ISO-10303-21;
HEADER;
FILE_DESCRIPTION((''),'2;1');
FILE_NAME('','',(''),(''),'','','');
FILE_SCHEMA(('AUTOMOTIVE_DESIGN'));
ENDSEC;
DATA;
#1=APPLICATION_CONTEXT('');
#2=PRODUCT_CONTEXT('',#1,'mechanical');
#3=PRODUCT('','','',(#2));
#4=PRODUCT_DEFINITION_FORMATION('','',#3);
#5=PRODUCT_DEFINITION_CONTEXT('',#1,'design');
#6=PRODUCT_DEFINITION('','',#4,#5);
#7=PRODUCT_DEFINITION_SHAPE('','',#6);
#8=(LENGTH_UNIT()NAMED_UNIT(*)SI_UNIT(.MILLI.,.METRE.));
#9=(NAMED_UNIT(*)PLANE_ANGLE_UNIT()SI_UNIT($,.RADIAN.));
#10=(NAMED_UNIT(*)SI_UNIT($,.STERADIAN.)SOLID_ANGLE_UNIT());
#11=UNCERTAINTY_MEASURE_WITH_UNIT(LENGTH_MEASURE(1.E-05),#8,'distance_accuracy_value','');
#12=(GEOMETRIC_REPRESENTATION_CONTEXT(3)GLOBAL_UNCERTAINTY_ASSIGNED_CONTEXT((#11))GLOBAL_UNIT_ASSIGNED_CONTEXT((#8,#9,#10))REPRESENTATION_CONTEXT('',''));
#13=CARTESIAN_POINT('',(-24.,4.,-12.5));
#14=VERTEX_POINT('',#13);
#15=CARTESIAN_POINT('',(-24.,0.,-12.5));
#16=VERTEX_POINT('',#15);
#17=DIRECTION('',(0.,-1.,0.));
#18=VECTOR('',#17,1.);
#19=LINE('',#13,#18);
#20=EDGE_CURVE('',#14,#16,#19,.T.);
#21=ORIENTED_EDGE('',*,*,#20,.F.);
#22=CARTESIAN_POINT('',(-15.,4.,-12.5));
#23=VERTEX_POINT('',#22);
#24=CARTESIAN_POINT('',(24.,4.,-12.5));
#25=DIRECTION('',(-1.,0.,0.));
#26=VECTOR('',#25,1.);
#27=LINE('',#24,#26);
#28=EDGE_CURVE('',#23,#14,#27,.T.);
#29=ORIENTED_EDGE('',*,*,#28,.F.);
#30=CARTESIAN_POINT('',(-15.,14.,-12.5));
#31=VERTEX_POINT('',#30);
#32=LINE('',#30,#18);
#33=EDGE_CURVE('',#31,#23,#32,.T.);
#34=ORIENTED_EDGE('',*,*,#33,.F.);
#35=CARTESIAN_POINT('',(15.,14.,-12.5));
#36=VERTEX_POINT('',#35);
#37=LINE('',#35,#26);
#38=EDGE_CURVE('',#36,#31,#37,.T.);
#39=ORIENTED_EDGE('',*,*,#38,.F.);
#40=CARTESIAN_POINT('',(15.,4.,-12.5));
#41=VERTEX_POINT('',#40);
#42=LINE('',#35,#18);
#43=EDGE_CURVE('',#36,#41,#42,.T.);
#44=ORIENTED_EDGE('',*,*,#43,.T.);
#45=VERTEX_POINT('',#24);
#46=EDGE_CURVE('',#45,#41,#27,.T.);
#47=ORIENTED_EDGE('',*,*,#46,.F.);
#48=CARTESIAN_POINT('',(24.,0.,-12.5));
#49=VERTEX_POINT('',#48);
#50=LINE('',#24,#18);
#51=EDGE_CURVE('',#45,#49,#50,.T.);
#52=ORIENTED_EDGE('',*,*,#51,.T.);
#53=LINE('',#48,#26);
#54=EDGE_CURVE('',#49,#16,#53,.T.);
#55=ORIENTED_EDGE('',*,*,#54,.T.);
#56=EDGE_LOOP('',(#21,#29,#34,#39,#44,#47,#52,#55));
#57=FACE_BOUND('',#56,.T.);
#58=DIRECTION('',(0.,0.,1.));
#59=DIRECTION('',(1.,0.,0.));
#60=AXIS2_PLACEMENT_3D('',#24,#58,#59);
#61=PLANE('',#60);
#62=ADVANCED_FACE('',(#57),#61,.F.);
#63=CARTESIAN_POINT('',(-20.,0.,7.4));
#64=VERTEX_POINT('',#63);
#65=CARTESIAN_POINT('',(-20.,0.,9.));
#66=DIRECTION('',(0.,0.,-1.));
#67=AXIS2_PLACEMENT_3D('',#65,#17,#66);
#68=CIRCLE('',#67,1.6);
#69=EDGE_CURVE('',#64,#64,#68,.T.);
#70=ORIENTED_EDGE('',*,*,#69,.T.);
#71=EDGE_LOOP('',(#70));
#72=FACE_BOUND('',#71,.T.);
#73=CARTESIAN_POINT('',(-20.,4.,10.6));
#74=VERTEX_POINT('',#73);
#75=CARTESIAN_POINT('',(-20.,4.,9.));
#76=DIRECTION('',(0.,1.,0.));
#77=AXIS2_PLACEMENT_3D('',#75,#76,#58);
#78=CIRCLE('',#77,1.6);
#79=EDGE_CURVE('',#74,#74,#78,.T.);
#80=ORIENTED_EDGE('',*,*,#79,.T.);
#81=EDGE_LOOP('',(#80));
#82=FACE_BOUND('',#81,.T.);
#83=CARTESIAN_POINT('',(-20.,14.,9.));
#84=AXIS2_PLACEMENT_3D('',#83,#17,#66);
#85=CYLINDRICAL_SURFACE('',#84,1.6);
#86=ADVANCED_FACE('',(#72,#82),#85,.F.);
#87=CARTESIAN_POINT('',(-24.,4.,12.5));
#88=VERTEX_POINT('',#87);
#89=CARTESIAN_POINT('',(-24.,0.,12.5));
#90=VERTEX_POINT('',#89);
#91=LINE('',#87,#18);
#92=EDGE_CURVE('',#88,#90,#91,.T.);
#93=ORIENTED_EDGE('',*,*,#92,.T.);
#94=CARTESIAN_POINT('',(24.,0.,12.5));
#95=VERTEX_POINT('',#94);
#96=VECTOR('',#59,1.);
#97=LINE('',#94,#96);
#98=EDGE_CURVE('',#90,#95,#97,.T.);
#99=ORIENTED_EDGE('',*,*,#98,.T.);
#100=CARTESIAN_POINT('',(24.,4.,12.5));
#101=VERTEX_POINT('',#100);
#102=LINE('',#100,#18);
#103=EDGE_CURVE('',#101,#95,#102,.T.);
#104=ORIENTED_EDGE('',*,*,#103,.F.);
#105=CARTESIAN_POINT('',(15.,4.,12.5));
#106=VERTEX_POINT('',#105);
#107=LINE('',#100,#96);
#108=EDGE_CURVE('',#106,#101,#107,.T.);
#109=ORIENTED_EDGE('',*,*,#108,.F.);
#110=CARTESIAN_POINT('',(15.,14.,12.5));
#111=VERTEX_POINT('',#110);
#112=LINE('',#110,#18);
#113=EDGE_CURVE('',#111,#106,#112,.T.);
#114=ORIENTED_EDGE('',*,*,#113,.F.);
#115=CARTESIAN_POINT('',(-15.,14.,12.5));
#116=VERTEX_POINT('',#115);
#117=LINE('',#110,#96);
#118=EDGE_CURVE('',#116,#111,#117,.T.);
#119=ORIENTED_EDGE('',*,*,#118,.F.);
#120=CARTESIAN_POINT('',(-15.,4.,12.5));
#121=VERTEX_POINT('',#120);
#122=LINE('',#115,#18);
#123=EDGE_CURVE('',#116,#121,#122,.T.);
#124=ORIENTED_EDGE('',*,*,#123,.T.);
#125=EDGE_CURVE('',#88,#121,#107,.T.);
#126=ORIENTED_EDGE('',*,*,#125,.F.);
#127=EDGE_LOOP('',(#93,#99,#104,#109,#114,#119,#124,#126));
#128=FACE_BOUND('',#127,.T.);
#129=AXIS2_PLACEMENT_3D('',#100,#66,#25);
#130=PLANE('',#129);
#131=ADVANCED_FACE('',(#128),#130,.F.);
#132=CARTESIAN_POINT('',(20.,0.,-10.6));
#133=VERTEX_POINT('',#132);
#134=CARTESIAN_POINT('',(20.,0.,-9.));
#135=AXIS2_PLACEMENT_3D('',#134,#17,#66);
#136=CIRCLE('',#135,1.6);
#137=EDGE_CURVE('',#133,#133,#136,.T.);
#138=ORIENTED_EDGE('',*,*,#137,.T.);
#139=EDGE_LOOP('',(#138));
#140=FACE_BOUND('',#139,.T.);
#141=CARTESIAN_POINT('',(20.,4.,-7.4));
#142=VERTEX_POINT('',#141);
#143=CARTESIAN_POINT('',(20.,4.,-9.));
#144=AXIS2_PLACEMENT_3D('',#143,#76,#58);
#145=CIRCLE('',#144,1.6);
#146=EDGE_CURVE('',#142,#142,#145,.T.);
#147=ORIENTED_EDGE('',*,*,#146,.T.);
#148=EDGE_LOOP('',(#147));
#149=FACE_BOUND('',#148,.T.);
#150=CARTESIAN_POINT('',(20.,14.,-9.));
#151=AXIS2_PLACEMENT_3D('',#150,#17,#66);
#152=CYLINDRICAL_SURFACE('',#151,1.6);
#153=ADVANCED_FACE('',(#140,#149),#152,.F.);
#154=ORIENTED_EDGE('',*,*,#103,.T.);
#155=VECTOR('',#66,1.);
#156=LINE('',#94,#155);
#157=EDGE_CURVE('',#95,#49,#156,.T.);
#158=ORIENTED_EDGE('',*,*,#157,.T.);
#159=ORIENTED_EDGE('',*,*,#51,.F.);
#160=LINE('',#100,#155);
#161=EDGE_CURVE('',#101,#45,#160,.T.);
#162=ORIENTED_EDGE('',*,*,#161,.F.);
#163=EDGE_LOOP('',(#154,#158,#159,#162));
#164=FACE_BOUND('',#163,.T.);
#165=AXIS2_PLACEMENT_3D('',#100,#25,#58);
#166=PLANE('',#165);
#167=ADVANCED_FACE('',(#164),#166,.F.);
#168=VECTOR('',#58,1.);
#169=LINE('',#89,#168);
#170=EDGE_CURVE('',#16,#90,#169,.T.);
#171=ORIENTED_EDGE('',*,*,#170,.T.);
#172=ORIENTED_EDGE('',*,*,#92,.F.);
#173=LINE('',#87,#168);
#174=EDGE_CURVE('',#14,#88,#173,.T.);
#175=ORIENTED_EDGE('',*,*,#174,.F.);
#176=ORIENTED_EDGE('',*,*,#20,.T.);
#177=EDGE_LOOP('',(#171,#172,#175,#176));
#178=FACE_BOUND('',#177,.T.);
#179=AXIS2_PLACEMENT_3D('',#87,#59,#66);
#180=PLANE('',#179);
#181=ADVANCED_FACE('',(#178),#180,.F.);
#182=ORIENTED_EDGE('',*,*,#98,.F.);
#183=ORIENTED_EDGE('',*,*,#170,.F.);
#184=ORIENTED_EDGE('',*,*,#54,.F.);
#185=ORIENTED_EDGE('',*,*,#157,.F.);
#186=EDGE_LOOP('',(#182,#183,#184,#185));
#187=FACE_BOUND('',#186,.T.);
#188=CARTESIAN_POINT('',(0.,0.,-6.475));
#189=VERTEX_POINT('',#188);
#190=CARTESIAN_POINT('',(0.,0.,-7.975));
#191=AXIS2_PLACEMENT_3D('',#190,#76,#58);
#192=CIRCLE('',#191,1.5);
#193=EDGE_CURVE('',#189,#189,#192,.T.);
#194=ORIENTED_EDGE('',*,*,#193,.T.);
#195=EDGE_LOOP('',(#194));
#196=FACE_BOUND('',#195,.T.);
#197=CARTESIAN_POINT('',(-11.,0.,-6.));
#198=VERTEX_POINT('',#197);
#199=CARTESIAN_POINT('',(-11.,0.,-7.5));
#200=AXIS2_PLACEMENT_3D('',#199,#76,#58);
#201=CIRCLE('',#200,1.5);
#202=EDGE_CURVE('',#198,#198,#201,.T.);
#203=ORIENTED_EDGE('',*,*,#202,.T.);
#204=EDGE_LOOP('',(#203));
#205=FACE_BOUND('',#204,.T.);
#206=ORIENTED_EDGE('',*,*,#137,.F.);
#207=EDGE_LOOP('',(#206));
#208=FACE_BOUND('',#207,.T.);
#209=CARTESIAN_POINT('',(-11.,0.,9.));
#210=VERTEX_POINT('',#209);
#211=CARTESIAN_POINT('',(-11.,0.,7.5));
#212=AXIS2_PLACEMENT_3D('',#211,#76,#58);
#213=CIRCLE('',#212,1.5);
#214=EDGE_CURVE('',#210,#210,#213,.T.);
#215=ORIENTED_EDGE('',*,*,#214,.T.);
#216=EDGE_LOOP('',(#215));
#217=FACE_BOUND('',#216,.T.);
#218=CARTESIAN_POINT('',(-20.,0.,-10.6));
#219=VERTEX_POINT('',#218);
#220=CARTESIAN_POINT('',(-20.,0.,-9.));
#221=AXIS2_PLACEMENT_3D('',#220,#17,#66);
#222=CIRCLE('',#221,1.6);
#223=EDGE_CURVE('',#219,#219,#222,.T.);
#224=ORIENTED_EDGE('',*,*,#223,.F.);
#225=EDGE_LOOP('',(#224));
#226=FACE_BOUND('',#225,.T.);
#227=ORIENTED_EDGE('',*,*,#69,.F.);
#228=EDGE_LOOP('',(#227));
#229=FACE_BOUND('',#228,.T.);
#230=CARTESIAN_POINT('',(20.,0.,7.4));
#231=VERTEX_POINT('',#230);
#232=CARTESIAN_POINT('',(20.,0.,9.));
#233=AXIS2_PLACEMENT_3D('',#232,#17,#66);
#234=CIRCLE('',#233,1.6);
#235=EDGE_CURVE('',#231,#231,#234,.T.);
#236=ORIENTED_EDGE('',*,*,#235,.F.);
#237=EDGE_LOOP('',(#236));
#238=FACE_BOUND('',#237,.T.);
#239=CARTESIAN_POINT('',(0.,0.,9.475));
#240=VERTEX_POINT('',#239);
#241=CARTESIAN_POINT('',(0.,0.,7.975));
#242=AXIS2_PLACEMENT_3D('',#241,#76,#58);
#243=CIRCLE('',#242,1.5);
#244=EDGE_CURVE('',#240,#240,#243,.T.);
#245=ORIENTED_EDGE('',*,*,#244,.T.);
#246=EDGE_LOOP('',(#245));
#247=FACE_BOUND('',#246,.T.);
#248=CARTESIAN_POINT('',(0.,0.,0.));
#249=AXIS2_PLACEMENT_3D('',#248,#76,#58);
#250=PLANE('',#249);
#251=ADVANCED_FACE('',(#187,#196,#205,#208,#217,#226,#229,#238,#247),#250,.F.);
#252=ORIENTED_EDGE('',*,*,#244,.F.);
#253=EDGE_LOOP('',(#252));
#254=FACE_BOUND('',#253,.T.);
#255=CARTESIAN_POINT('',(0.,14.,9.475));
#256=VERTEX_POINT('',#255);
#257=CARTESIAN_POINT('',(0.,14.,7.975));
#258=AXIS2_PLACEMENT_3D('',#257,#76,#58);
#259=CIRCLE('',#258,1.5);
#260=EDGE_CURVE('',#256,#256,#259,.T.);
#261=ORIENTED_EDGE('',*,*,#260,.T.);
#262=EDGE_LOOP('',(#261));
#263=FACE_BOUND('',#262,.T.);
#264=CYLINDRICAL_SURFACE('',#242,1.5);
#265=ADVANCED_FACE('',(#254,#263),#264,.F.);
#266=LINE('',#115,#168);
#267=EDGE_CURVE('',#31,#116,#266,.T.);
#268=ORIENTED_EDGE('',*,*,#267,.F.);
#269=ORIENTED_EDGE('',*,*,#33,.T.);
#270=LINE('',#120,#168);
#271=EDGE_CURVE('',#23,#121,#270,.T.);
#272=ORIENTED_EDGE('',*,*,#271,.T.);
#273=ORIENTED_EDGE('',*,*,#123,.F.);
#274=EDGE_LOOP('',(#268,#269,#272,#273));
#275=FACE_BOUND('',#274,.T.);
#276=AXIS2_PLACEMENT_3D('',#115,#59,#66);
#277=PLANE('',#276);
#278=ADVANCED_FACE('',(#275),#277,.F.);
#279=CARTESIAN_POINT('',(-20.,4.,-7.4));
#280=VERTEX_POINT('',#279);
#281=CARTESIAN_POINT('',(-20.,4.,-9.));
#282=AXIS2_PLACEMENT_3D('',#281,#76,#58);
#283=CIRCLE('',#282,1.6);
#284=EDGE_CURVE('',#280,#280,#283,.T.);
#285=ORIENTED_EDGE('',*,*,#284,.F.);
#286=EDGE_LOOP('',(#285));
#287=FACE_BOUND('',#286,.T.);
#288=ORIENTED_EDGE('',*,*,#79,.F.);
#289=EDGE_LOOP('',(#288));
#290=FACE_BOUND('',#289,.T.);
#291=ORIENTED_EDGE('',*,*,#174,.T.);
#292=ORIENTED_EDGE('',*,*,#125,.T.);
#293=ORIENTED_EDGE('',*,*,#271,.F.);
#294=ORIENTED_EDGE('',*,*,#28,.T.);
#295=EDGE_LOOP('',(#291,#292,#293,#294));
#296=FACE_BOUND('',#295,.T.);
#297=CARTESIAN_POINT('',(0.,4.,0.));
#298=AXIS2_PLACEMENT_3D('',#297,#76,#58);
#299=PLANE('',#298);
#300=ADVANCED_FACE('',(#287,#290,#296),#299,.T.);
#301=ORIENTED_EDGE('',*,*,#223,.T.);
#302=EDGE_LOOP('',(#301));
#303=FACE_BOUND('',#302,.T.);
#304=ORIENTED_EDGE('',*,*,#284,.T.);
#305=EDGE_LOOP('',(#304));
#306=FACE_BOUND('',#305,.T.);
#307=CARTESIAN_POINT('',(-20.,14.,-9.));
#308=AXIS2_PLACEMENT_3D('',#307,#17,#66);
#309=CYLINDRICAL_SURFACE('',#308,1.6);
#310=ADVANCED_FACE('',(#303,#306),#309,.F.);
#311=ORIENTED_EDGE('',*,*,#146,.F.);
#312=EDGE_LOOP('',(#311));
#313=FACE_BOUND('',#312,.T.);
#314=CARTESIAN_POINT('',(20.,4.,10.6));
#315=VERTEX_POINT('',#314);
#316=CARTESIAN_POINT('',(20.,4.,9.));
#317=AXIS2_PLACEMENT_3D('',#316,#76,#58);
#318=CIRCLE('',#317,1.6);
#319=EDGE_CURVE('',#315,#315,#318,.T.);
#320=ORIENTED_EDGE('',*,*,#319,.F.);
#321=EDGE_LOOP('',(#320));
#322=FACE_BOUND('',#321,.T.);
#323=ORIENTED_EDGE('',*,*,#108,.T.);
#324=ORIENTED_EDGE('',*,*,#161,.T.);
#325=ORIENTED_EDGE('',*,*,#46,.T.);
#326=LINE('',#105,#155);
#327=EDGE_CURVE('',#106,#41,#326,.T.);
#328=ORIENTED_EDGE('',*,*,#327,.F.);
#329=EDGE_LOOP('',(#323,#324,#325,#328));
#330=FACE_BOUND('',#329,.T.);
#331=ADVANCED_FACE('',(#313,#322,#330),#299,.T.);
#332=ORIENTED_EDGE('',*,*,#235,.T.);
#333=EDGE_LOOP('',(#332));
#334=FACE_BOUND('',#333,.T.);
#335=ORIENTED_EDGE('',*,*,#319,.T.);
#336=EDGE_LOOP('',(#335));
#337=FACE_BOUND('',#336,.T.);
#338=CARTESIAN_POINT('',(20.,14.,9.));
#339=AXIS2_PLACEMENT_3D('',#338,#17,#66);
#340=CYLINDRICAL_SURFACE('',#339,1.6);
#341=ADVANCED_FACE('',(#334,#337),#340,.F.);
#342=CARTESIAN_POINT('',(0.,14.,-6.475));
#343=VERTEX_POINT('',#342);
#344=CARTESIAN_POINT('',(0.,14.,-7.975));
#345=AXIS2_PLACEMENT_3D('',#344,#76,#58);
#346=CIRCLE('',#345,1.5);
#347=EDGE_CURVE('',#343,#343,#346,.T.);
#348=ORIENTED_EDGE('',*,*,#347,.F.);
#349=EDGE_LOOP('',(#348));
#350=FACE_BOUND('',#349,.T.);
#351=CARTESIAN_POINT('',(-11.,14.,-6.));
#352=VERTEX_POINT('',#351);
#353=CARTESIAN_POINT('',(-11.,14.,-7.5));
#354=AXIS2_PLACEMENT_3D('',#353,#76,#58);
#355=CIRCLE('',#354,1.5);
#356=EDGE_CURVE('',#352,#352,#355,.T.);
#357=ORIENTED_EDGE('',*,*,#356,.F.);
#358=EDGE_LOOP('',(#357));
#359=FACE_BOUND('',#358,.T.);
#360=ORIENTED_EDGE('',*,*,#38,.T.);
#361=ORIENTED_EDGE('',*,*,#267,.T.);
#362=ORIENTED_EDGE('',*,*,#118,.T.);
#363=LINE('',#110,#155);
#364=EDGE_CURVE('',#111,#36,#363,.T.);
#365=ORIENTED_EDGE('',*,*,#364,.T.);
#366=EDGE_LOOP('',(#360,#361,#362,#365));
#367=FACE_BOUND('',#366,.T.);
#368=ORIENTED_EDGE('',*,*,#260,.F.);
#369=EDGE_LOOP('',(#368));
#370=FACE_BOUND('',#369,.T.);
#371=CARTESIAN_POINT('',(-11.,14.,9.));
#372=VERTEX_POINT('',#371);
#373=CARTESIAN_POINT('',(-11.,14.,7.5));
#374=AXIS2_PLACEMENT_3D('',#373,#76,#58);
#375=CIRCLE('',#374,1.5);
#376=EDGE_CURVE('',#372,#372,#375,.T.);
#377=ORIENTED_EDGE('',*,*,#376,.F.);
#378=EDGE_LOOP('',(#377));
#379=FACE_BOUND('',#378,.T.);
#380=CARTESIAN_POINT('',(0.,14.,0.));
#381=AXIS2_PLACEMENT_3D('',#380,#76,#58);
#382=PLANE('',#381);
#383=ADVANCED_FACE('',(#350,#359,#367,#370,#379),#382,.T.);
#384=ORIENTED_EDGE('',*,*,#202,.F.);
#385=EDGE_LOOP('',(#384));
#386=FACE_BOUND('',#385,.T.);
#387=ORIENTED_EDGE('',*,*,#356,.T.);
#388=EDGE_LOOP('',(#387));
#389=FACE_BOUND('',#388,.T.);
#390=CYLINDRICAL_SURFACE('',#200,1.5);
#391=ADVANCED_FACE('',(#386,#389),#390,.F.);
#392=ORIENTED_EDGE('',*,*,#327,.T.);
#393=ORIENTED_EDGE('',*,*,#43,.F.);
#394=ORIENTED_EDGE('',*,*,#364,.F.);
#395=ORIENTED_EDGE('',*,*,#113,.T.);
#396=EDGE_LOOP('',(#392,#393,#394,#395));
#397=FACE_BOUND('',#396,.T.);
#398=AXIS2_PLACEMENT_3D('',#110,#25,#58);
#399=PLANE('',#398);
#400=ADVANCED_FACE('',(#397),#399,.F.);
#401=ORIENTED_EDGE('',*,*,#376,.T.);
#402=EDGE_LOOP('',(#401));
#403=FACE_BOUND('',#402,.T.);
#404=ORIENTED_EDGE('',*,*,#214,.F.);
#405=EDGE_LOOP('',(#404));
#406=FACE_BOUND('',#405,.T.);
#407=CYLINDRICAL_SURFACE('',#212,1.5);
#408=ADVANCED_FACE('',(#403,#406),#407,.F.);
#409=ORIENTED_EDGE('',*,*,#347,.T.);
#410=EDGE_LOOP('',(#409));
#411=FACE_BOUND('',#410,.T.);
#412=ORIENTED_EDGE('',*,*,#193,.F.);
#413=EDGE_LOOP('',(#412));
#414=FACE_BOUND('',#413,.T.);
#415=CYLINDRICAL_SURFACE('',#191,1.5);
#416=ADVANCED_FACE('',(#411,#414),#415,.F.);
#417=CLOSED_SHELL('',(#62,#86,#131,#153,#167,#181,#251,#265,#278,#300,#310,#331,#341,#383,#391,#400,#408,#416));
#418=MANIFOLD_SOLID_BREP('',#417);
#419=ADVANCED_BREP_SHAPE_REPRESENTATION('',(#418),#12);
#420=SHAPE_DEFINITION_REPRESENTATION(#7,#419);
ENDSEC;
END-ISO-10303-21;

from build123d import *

# Parameters (mm, degrees)
SKETCH1_W           = 48
SKETCH1_H           = 25
BOSS_EXTRUDE1_DEPTH = 4
SKETCH2_W           = 30
SKETCH2_H           = 25
BOSS_EXTRUDE2_DEPTH = 10
SKETCH3_R           = 1.5
CUT_EXTRUDE1_DEPTH  = 15
SKETCH4_R           = 1.6
CUT_EXTRUDE2_DEPTH  = 15


with BuildPart() as part:
    # Sketch1 → Boss-Extrude1 (new body)
    with BuildSketch(Plane(origin=(0, 0, 0), x_dir=(1, 0, 0), z_dir=(0, 1, 0))):
        Rectangle(SKETCH1_W, SKETCH1_H)
    extrude(amount=BOSS_EXTRUDE1_DEPTH)

    # Sketch2 → Boss-Extrude2 (add)
    with BuildSketch(Plane(origin=(0, 4, 0), x_dir=(1, 0, 0), z_dir=(0, 1, 0))):
        Rectangle(SKETCH2_W, SKETCH2_H)
    extrude(amount=BOSS_EXTRUDE2_DEPTH)

    # Sketch3 → Cut-Extrude1 (cut, through all)
    with BuildSketch(Plane(origin=(0, 14, 0), x_dir=(1, 0, 0), z_dir=(0, 1, 0))):
        with Locations(Location((0, 7.975, 0), (0, 0, 270))):  # turned: the seam where the file's is
            Circle(SKETCH3_R)
        with Locations(Location((0, -7.975, 0), (0, 0, 270))):  # turned: the seam where the file's is
            Circle(SKETCH3_R)
        with Locations(Location((-11, 7.5, 0), (0, 0, 270))):  # turned: the seam where the file's is
            Circle(SKETCH3_R)
        with Locations(Location((-11, -7.5, 0), (0, 0, 270))):  # turned: the seam where the file's is
            Circle(SKETCH3_R)
    extrude(amount=-CUT_EXTRUDE1_DEPTH, mode=Mode.SUBTRACT)

    # Sketch4 → Cut-Extrude2 (cut, through all)
    with BuildSketch(Plane.XZ):
        with Locations(Location((-20, 9, 0), (0, 0, 270))):  # turned: the seam where the file's is
            Circle(SKETCH4_R)
        with Locations(Location((20, 9, 0), (0, 0, 270))):  # turned: the seam where the file's is
            Circle(SKETCH4_R)
        with Locations(Location((20, -9, 0), (0, 0, 270))):  # turned: the seam where the file's is
            Circle(SKETCH4_R)
        with Locations(Location((-20, -9, 0), (0, 0, 270))):  # turned: the seam where the file's is
            Circle(SKETCH4_R)
    extrude(amount=-CUT_EXTRUDE2_DEPTH, mode=Mode.SUBTRACT)


solid = part.part
